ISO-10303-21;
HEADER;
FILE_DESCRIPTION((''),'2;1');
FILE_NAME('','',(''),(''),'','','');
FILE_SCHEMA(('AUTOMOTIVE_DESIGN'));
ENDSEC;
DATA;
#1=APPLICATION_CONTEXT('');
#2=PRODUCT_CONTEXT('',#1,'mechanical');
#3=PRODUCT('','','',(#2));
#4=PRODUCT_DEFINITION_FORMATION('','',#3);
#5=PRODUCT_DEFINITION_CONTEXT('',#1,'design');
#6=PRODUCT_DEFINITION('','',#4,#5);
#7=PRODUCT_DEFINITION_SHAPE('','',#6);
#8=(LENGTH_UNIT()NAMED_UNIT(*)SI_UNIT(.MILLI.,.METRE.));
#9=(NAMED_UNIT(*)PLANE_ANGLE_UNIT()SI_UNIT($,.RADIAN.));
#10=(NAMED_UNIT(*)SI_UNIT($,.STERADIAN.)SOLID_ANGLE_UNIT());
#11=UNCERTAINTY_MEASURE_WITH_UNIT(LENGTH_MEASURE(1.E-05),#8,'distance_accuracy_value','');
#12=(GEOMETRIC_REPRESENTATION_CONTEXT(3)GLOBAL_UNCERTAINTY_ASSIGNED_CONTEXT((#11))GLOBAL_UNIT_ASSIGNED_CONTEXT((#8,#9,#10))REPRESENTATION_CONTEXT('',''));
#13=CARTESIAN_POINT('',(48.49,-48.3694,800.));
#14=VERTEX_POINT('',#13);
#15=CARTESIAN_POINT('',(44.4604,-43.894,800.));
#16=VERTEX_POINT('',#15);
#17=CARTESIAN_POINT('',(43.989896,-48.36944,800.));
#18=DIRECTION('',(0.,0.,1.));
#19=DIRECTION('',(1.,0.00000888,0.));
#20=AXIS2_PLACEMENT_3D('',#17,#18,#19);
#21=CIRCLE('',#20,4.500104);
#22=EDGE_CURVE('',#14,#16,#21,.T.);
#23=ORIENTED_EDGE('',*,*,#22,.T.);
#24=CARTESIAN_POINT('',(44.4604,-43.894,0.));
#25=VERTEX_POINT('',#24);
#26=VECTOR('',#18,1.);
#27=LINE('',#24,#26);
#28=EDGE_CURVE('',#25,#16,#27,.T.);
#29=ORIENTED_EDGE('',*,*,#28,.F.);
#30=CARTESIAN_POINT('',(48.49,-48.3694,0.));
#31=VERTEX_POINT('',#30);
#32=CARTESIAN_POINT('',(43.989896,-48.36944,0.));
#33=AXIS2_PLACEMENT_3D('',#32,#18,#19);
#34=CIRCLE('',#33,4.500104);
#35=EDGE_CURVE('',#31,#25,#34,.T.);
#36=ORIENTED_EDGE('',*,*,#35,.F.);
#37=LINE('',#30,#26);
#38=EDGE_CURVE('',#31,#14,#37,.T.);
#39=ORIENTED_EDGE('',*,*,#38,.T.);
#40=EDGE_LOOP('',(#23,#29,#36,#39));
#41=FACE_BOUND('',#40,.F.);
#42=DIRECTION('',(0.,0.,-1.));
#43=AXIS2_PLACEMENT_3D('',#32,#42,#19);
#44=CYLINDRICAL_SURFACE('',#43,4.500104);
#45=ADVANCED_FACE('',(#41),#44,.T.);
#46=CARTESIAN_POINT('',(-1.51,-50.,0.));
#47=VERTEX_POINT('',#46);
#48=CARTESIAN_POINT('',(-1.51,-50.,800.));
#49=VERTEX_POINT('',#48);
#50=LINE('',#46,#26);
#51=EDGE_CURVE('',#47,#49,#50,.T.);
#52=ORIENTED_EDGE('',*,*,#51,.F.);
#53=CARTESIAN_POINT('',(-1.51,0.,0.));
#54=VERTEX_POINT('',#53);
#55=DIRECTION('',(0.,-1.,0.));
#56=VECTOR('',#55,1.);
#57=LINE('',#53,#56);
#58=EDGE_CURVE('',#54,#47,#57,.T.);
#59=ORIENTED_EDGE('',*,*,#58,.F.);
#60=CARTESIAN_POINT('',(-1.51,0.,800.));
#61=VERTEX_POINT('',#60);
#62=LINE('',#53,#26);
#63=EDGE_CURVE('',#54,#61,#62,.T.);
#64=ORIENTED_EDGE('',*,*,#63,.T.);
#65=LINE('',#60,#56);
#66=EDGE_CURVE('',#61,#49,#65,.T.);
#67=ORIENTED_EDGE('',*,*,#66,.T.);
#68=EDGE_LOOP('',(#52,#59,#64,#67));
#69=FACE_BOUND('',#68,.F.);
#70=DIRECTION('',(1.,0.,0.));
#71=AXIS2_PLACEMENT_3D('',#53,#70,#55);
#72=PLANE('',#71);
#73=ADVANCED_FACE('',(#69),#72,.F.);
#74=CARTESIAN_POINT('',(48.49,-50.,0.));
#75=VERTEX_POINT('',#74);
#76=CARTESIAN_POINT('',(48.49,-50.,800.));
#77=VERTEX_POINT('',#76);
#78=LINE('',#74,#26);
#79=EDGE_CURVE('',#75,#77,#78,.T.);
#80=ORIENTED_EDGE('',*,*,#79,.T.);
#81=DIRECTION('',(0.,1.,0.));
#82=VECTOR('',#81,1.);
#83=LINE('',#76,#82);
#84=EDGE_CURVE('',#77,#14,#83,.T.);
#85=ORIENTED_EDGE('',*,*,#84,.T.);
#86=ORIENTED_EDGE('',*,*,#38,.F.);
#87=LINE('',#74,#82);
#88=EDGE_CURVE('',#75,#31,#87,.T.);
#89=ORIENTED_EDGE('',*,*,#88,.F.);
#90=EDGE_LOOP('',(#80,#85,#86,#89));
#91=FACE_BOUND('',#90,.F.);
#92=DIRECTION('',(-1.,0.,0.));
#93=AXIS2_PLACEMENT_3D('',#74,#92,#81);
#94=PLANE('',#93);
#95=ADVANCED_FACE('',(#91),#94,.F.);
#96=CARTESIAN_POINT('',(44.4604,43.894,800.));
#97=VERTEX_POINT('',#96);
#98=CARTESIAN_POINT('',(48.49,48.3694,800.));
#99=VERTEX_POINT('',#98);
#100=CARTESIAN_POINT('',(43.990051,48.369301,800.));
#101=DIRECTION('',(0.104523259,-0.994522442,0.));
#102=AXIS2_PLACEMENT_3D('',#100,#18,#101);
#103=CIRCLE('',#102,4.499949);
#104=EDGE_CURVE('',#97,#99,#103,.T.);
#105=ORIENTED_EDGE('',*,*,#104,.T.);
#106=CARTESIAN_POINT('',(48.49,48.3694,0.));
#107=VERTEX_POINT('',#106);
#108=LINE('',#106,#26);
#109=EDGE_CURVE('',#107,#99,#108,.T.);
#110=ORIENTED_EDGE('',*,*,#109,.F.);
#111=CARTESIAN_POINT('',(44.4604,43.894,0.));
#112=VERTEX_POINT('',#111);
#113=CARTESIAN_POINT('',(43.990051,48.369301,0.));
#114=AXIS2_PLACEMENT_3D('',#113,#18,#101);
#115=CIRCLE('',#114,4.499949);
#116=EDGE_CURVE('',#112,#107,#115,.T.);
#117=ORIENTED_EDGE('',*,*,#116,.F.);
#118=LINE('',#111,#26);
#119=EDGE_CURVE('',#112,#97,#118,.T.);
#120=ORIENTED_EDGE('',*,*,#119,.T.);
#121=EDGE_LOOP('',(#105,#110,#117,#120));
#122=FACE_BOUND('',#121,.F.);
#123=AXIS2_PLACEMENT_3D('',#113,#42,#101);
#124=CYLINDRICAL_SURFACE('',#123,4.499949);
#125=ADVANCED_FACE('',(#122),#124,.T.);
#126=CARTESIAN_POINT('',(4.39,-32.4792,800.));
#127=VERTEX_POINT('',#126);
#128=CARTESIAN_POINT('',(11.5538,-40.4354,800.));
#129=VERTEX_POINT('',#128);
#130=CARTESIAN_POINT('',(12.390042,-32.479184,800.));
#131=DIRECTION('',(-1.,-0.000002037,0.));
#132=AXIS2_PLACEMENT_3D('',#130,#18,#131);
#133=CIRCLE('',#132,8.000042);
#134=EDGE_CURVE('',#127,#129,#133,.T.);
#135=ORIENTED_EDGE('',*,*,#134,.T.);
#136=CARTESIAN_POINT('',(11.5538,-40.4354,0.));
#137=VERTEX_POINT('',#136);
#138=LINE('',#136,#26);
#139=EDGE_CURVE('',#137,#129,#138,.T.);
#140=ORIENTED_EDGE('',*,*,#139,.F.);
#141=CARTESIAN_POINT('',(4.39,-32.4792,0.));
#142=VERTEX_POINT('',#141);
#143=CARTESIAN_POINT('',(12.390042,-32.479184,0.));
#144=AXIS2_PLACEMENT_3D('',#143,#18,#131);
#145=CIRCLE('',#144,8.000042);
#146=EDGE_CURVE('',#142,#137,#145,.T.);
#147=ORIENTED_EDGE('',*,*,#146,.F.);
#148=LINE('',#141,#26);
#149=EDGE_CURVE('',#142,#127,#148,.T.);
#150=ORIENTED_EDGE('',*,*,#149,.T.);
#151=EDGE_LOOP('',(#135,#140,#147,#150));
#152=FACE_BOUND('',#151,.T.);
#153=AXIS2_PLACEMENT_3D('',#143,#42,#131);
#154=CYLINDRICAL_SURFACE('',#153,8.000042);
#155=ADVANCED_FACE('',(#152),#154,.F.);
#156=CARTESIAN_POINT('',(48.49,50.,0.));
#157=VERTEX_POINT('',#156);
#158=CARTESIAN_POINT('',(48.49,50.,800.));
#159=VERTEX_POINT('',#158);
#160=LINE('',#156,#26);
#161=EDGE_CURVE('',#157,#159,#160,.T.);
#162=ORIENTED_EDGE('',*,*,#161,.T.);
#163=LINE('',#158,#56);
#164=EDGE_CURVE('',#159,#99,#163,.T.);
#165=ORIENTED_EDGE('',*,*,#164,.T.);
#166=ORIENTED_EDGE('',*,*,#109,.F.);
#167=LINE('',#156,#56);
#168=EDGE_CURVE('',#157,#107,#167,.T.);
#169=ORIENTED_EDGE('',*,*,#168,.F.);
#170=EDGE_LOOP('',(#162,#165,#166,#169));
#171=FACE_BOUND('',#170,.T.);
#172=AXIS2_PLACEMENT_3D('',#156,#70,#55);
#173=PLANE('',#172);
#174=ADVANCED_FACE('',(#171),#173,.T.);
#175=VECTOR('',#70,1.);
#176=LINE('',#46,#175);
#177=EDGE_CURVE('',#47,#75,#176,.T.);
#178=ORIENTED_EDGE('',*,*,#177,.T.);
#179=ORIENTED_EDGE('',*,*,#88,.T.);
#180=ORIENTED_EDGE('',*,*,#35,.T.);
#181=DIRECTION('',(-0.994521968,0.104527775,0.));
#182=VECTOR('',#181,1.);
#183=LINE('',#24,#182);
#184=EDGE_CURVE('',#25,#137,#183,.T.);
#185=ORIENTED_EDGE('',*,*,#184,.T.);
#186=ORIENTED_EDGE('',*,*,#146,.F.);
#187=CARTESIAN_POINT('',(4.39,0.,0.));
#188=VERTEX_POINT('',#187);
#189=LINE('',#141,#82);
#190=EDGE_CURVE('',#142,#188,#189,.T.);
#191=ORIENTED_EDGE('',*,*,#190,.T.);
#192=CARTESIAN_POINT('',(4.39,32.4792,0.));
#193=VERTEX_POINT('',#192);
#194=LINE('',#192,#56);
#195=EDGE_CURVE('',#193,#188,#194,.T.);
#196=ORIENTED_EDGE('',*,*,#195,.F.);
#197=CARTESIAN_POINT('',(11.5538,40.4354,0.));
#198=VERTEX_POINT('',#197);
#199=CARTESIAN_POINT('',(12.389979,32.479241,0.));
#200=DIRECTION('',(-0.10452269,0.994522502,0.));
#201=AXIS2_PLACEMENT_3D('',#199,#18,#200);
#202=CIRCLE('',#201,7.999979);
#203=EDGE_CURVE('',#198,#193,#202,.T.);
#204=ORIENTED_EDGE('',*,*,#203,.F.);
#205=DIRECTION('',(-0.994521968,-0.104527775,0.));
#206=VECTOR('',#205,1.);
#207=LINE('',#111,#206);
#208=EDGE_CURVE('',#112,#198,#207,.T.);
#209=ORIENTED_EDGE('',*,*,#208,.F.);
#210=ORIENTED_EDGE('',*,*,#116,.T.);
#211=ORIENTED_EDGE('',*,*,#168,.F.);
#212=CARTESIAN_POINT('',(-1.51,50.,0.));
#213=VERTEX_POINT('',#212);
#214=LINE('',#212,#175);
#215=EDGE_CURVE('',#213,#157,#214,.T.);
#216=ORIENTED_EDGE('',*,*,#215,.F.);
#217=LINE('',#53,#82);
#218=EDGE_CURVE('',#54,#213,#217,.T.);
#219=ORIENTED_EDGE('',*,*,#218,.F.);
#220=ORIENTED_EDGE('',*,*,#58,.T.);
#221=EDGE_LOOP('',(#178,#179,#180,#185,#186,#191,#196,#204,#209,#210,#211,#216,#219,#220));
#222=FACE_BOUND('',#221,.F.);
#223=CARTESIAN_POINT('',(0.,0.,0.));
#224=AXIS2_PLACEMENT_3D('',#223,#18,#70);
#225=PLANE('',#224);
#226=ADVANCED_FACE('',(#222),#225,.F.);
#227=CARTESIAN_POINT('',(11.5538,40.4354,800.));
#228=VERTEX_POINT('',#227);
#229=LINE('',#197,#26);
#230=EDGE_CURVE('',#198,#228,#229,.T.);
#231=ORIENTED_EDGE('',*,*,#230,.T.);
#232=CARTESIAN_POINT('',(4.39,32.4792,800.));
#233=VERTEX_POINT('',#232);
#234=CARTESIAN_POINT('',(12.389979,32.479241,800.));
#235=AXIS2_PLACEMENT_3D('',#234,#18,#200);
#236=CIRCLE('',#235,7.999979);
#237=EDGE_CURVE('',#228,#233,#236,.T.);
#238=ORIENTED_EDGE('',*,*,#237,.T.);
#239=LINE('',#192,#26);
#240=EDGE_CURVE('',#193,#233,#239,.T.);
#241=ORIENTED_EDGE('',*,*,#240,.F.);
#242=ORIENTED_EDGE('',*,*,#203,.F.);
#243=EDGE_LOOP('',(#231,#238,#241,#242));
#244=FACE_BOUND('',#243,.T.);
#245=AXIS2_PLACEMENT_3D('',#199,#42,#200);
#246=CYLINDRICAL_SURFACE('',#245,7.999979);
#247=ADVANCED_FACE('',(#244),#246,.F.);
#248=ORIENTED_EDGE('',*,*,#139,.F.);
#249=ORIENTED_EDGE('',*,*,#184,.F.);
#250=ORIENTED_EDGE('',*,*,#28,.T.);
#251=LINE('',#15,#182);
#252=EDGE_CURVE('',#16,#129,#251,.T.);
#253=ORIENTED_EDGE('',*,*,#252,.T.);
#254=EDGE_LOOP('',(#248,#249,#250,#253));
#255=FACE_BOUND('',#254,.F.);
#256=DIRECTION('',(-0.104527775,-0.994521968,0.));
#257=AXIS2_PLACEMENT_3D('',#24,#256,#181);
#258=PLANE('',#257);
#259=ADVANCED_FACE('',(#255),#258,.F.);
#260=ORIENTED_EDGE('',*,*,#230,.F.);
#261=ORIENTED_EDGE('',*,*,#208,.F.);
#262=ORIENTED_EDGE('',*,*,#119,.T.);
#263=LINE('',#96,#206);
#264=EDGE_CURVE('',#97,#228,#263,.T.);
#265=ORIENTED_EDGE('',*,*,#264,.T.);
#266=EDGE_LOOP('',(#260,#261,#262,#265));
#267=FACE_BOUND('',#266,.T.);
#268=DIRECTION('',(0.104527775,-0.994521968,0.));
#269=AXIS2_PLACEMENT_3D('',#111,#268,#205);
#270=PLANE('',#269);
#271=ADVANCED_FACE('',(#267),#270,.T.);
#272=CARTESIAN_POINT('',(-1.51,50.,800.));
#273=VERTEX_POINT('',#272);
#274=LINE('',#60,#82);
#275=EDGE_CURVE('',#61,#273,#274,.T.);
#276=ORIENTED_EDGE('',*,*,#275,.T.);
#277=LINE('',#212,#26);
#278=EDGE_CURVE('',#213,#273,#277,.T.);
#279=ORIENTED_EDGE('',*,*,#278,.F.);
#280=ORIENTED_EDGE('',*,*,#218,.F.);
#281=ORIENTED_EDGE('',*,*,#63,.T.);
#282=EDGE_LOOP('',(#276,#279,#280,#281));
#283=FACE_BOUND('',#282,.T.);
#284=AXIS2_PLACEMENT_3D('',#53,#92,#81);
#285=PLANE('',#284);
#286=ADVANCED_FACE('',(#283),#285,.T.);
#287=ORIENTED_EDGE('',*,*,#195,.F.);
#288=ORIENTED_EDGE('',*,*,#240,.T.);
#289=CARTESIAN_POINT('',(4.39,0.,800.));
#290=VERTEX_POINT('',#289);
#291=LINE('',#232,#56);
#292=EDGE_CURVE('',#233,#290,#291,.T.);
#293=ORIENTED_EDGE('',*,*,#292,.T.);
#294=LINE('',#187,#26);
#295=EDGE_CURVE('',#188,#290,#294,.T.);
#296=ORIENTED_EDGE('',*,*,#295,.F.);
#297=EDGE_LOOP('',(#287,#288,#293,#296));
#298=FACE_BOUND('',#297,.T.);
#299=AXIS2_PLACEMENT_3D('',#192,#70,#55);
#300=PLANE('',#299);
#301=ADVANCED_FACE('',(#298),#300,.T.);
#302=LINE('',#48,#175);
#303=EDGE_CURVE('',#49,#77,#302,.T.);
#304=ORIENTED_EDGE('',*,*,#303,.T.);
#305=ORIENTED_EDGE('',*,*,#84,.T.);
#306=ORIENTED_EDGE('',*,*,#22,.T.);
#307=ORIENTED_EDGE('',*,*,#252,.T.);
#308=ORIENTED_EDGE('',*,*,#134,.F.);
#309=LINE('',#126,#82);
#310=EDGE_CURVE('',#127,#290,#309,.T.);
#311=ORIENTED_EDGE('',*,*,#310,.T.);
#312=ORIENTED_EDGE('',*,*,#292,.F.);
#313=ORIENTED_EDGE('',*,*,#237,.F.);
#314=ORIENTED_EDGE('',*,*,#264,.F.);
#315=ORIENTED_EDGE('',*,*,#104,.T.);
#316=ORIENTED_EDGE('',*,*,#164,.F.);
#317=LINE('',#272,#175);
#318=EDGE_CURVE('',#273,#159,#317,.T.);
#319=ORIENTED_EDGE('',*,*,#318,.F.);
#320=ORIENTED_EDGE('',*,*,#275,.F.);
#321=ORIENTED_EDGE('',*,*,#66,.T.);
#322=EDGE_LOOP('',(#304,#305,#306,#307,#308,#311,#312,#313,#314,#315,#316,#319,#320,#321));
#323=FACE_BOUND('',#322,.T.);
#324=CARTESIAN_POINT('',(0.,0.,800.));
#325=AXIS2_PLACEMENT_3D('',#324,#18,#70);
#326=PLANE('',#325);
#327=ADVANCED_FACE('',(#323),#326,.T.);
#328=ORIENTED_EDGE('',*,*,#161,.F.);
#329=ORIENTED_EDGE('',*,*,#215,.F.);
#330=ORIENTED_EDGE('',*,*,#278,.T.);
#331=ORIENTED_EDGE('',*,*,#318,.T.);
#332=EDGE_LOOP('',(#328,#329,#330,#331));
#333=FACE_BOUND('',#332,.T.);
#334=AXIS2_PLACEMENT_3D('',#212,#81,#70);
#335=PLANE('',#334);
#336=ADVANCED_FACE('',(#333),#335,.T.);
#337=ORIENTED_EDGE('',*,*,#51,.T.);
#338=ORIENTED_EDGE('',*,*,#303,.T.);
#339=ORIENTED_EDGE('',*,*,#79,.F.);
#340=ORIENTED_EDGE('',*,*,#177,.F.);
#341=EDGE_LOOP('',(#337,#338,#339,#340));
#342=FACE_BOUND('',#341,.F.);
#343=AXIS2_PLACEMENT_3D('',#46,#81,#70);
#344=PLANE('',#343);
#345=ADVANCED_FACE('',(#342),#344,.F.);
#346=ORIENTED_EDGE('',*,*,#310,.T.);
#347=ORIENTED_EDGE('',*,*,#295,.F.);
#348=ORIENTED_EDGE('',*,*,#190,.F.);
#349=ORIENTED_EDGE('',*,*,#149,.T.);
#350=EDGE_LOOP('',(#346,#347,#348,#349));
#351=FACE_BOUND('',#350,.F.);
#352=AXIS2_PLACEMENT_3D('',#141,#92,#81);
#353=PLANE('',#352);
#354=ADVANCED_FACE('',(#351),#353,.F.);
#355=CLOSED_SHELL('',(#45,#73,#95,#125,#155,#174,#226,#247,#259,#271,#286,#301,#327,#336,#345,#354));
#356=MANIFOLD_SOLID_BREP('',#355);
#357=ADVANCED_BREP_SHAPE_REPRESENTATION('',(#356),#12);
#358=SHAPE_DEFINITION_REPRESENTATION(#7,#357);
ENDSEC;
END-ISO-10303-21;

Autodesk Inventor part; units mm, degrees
ref_plane "YZ Plane" through (0, 0, 0) normal (1, 0, 0) x (0, 1, 0)
ref_plane "Start Plane" through (0, 0, 0) normal (0, 0, 1) x (1, 0, 0)
ref_plane "End Plane" through (0, 0, 800) normal (0, 0, 1) x (1, 0, 0)
sketch "Sketch" plane through (0, 0, 0) normal (0, 0, 1) x (1, 0, 0)
  line L0 (-1.51, 0) -> (-1.51, 50)
  line L1 (-1.51, 50) -> (48.49, 50)
  line L2 (48.49, 50) -> (48.49, 48.3694)
  line L3 (44.4604, 43.894) -> (11.5538, 40.4354)
  line L4 (4.39, 32.4792) -> (4.39, 0)
  line L5 (4.39, 0) -> (-1.51, 0) construction
  line L6 (26.44, 50) -> (26.44, 42) construction
  line L7 (48.49, 44.3175) -> (48.49, 42) construction
  line L8 (48.49, 42) -> (26.44, 42) construction
  line L9 (0, 15) -> (0, -27) construction
  line L10 (-5.539, 0) -> (16.0067, 0) construction
  line L11 (-1.51, 0) -> (-1.51, -50)
  line L12 (-1.51, -50) -> (48.49, -50)
  line L13 (48.49, -50) -> (48.49, -48.3694)
  line L14 (44.4604, -43.894) -> (11.5538, -40.4354)
  line L15 (4.39, -32.4792) -> (4.39, 0)
  arc A0 (11.5538, 40.4354) -> (4.39, 32.4792) centre (12.39, 32.4792) ccw
  arc A1 (4.39, -32.4792) -> (11.5538, -40.4354) centre (12.39, -32.4792) ccw
  arc A2 (44.4604, 43.894) -> (48.49, 48.3694) centre (43.99, 48.3694) ccw
  arc A3 (48.49, -48.3694) -> (44.4604, -43.894) centre (43.99, -48.3694) ccw
  line L16 (0, 70) -> (0, -70) construction
  line L17 (-16.5166, 0) -> (60.3266, 0) construction
  point P0 (4.39, 39.6825)
  point P1 (48.49, -44.3175)
  point P2 (4.39, -39.6825)
  point P3 (26.44, -50)
  point P4 (26.44, -42)
  dimension "d0" = 5.9
  dimension "d1" = 50
  dimension "d2" = 50
  dimension "d3" = 8
  dimension "d4" = 22.05
  dimension "d5" = 2.3175
  dimension "d23" = 8
  dimension "d24" = 4.5
  dimension "d25" = 1.51
extrude "Body" add sketch "Sketch" along normal up to surface (800 mm away) from surface at 0
sketch "Sketch3" plane through (0, 0, 0) normal (0, 0, 1) x (1, 0, 0)
  line L0 (0, 0) -> (10, 0)
ref_plane "Work Plane3" through (0, 0, 0) normal (0, -1, 0) x (1, 0, 0)
sketch "Sketch4" plane through (0, 0, 0) normal (0, -1, 0) x (1, 0, 0)
  line L0 (-2, 0) -> (12, 0)
  line L1 (-2, 800) -> (12, 800)
  dimension "d29" = 800
equation "\"d0\" = G_T"
equation "\"d1\" = 0.5 * G_H"
equation "\"d2\" = G_W"
equation "\"d3\" = G_T1"
equation "\"d4\" = G_C"
equation "\"d23\" = G_IR"
equation "\"d24\" = G_ER"
equation "\"d25\" = ex"
equation "\"d6\" = G_L"
equation "\"G_W\" = 50"
equation "\"G_H\" = 100"
equation "\"G_T\" = 5.9"
equation "\"G_T1\" = 8"
equation "\"G_NG\" = 0.105104"
equation "\"G_ER\" = 4.5"
equation "\"G_IR\" = 8"
equation "\"G_C\" = 22.05"
equation "\"G_L\" = d29"
equation "\"ex\" = 1.51"
equation "\"G_OFFSET_START\" = 0"
equation "\"G_OFFSET_END\" = 0"
properties part number "ISO 657/11 - CH 100 x 10 - 800" material "Steel, Mild"
